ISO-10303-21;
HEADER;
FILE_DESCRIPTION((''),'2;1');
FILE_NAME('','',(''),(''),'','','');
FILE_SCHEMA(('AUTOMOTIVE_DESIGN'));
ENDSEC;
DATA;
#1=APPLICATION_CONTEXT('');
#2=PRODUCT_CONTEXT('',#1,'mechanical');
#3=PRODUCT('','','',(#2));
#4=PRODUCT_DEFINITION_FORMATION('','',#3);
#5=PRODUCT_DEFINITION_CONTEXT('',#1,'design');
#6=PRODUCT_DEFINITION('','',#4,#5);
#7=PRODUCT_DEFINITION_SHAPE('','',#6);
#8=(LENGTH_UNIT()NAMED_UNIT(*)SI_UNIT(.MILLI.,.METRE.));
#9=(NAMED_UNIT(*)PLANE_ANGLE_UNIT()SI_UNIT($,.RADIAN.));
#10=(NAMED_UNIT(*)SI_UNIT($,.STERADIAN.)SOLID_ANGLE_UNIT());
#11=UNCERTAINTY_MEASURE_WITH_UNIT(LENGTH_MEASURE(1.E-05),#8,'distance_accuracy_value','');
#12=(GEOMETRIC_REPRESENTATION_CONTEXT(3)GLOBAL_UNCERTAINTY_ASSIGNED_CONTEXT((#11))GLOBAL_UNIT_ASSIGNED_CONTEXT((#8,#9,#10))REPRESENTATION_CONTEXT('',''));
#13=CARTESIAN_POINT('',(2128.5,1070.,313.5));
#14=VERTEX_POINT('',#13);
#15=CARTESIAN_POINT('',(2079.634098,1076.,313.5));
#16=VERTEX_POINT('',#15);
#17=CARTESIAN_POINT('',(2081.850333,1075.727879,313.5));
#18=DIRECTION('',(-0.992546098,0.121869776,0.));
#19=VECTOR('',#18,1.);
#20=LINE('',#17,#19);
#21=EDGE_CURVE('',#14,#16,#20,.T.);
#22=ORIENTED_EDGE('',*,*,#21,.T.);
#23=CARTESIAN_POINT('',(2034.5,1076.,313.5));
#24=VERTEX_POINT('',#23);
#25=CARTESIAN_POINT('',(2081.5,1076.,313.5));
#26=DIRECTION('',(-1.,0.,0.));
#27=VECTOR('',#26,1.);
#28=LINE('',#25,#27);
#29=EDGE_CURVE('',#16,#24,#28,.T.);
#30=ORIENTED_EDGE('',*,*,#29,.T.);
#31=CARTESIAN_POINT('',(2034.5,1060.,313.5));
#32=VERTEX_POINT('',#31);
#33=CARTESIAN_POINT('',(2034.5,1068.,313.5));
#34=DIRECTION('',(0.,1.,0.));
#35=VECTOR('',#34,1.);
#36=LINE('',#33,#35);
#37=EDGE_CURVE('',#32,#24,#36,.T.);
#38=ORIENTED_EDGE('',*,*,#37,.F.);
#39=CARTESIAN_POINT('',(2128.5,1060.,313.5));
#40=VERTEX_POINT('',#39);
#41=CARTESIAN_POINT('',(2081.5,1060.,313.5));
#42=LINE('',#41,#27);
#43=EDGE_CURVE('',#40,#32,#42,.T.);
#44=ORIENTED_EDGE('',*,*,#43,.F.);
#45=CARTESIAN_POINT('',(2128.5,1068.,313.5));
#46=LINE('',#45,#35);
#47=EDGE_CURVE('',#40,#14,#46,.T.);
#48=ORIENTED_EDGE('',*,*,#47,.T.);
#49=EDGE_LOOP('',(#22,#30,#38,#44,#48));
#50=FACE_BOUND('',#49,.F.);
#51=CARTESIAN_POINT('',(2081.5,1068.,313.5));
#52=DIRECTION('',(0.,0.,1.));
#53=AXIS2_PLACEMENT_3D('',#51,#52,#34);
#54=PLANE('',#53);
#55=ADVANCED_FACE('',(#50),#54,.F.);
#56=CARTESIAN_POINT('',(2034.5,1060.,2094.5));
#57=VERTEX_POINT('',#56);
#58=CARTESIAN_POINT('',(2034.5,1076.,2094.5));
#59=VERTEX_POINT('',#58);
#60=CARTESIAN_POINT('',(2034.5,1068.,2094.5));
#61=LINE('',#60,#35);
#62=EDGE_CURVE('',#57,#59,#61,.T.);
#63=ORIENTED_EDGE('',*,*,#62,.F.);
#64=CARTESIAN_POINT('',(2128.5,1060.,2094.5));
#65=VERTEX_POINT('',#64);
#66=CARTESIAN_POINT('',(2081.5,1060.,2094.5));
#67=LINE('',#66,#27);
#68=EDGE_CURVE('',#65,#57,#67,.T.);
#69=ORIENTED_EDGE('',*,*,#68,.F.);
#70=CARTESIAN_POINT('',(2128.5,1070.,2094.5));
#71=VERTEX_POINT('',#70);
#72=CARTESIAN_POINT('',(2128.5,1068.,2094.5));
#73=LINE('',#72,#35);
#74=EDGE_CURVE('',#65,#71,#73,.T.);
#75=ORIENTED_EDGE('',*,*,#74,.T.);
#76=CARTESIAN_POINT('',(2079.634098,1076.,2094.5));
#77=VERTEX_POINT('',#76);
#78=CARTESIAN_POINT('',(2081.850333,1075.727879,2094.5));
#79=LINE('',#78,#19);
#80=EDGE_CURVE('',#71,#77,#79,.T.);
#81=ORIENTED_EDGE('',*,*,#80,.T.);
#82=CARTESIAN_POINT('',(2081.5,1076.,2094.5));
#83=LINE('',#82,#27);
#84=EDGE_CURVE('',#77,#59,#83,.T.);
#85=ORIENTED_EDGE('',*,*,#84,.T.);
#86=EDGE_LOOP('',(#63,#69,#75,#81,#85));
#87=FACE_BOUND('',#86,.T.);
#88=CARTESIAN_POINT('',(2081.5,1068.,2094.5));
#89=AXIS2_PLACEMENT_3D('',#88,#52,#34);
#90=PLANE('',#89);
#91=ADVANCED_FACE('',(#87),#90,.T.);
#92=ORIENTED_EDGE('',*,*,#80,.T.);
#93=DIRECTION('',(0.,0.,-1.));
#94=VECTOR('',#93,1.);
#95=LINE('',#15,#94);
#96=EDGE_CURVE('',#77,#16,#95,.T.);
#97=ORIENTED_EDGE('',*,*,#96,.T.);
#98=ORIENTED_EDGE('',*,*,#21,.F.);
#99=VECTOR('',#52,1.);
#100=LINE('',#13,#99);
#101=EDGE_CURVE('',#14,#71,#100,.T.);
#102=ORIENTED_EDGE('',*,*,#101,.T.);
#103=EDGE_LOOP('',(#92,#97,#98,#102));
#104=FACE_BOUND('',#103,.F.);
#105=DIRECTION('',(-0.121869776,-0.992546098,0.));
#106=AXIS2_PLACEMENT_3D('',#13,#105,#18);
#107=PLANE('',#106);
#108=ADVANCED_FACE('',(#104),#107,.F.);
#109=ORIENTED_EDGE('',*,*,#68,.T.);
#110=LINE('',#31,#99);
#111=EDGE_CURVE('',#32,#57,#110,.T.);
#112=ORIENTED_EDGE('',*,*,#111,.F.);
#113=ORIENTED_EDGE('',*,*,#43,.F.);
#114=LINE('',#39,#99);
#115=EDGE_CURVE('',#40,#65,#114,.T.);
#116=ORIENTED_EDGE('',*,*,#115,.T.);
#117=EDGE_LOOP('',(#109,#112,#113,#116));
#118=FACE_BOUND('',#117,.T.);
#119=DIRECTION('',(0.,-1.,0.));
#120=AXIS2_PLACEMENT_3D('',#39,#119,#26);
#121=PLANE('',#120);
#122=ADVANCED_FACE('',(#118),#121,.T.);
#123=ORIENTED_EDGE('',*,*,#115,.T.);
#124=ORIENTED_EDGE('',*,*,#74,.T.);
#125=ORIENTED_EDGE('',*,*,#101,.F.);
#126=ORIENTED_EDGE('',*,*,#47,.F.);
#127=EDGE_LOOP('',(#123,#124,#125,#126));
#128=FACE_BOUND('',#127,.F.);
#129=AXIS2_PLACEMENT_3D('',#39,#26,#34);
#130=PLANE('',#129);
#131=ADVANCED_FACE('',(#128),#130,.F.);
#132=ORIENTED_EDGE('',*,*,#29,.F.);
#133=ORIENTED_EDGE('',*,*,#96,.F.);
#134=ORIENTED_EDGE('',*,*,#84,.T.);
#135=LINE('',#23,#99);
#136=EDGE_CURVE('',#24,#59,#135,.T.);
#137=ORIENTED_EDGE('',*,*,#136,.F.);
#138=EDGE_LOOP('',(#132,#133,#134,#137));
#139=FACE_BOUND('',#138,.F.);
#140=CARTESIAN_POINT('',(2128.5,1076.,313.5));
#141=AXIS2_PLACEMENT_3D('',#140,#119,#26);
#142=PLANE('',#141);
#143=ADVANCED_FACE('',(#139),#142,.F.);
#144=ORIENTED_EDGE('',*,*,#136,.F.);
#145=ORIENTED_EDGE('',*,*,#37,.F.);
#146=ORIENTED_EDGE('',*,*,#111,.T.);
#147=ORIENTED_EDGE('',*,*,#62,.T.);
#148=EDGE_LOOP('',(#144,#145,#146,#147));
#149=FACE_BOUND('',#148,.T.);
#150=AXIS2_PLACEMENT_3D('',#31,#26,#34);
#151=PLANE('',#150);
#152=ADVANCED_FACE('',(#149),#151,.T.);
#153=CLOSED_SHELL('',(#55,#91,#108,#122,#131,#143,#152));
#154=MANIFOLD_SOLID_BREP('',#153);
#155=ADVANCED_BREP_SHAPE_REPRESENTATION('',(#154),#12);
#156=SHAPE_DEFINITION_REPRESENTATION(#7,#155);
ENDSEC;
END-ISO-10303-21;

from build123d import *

# Parameters (mm, degrees)
BOX003001_W               = 16
BOX003001_H               = 94
BOX003001_DEPTH           = 1781
BOX003001_PLACEMENT_ANGLE = 82.999975
BOX003_W                  = 16
BOX003_H                  = 94
BOX003_DEPTH              = 1781


with BuildPart() as q002:
    # Box003001 → Box003001 (new body)
    with BuildSketch(Plane.XY):
        with Locations((8, 47)):
            Rectangle(BOX003001_W, BOX003001_H)
    extrude(amount=BOX003001_DEPTH)


with BuildPart() as q002_1:
    # Box003001 placement: moved
    add(q002.part.moved(Location((2144, 1070, 313.5))).rotate(Axis((2144, 1070, 313.5), (0, 0, 1)), BOX003001_PLACEMENT_ANGLE))


with BuildPart() as cut:
    # Box003 → Box003 (new body)
    with BuildSketch(Plane(origin=(2144, 1060, 313.5), x_dir=(0, 1, 0), z_dir=(0, 0, 1))):
        with Locations((8, 47)):
            Rectangle(BOX003_W, BOX003_H)
    extrude(amount=BOX003_DEPTH)

    # Cut: cut Q002
    add(q002_1.part, mode=Mode.SUBTRACT)


with BuildPart() as cut_1:
    # Cut placement: moved
    add(cut.part.moved(Location((-15.5, 0, 0))))


solid = cut_1.part
